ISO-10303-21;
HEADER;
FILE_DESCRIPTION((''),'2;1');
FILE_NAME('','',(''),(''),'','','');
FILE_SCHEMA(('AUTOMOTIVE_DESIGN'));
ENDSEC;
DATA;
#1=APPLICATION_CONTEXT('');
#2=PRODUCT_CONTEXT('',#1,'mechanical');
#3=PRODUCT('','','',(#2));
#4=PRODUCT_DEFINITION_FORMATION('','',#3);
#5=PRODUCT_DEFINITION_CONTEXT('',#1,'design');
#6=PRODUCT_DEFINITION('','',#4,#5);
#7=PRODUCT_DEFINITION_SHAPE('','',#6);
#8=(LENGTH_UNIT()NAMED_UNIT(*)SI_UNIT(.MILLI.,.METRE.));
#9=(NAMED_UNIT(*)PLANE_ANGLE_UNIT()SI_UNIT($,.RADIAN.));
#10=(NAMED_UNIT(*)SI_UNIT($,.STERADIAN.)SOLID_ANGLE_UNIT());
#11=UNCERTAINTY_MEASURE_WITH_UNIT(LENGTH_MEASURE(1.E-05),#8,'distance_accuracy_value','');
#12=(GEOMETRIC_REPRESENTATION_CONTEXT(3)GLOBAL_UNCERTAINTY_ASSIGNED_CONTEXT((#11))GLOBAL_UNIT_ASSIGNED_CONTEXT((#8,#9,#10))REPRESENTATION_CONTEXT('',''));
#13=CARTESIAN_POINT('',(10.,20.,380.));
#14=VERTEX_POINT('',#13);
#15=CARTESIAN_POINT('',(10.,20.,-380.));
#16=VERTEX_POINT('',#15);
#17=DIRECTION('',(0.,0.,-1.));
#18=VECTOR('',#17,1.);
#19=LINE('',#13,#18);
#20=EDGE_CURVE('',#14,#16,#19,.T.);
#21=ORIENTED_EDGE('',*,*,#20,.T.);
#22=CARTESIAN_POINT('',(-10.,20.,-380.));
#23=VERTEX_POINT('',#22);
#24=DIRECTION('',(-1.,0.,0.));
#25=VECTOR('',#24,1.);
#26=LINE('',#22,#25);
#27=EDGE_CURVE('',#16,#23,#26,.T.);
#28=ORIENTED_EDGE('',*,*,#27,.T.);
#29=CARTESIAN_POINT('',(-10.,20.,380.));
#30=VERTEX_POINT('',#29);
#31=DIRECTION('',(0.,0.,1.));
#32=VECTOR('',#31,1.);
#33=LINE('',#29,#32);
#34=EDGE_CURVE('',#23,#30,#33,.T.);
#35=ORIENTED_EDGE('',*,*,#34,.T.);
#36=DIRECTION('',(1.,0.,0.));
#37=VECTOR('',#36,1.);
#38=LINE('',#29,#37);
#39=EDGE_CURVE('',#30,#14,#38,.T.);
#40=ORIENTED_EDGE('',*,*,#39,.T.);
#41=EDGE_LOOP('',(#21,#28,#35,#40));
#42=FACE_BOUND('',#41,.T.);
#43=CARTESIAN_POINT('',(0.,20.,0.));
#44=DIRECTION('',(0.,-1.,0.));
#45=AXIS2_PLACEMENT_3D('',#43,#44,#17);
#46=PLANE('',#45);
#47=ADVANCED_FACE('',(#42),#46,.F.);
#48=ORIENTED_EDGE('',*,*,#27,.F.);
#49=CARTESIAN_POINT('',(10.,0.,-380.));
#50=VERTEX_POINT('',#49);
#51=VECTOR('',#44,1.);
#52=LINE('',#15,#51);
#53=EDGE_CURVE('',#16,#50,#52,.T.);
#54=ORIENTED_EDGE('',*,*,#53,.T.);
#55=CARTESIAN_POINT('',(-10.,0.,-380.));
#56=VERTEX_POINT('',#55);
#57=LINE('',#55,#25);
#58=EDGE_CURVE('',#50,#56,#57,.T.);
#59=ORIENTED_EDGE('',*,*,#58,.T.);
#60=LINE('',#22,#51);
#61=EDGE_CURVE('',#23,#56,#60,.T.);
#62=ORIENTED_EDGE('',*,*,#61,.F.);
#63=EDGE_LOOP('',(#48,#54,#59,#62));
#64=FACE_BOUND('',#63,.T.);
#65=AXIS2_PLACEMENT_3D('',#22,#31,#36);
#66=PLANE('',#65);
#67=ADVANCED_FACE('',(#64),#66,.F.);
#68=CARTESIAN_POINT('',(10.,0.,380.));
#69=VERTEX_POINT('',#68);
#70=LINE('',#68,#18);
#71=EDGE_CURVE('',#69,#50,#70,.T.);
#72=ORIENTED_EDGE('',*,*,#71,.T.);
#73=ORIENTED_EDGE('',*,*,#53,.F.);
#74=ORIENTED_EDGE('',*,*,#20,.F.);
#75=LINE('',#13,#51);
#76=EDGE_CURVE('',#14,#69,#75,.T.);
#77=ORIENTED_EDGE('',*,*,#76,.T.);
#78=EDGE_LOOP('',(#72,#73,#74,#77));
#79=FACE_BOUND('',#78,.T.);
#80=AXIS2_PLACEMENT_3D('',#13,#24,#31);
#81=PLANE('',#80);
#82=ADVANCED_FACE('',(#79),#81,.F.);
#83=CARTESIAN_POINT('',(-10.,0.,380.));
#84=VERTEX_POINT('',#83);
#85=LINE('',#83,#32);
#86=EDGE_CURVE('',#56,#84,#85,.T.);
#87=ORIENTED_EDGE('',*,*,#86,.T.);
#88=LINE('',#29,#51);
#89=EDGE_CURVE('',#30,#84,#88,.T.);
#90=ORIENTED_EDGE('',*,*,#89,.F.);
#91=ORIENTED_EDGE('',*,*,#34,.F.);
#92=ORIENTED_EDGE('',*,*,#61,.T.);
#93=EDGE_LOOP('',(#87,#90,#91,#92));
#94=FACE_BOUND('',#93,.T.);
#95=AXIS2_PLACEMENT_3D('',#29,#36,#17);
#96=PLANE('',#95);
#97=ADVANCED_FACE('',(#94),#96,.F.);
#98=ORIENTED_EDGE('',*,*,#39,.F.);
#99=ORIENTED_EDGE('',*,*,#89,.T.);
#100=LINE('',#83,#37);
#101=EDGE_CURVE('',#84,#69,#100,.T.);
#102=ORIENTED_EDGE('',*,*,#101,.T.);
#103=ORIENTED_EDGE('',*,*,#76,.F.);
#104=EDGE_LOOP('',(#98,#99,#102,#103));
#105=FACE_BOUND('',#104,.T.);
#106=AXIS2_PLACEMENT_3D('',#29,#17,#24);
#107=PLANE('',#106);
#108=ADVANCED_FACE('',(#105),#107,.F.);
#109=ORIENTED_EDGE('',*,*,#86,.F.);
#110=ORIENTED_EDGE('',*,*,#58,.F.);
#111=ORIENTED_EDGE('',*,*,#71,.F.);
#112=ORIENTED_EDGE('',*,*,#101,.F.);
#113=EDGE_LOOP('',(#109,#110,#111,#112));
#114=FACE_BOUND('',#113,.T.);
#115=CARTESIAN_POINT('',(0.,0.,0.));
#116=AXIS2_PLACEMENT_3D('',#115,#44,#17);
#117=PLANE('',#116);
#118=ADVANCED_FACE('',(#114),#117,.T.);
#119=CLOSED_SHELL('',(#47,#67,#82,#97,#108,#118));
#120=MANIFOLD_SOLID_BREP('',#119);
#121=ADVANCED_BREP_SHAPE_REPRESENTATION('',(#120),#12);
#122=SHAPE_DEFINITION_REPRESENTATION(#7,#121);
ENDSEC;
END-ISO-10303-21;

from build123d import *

# Parameters (mm, degrees)
SKETCH1_W      = 20
SKETCH1_H      = 760
EXTRUDE1_DEPTH = 20


with BuildPart() as part:
    # Sketch1 → Extrude1 (new body)
    with BuildSketch(Plane(origin=(0, 0, 0), x_dir=(1, 0, 0), z_dir=(0, 1, 0))):
        Rectangle(SKETCH1_W, SKETCH1_H)
    extrude(amount=EXTRUDE1_DEPTH)


solid = part.part
